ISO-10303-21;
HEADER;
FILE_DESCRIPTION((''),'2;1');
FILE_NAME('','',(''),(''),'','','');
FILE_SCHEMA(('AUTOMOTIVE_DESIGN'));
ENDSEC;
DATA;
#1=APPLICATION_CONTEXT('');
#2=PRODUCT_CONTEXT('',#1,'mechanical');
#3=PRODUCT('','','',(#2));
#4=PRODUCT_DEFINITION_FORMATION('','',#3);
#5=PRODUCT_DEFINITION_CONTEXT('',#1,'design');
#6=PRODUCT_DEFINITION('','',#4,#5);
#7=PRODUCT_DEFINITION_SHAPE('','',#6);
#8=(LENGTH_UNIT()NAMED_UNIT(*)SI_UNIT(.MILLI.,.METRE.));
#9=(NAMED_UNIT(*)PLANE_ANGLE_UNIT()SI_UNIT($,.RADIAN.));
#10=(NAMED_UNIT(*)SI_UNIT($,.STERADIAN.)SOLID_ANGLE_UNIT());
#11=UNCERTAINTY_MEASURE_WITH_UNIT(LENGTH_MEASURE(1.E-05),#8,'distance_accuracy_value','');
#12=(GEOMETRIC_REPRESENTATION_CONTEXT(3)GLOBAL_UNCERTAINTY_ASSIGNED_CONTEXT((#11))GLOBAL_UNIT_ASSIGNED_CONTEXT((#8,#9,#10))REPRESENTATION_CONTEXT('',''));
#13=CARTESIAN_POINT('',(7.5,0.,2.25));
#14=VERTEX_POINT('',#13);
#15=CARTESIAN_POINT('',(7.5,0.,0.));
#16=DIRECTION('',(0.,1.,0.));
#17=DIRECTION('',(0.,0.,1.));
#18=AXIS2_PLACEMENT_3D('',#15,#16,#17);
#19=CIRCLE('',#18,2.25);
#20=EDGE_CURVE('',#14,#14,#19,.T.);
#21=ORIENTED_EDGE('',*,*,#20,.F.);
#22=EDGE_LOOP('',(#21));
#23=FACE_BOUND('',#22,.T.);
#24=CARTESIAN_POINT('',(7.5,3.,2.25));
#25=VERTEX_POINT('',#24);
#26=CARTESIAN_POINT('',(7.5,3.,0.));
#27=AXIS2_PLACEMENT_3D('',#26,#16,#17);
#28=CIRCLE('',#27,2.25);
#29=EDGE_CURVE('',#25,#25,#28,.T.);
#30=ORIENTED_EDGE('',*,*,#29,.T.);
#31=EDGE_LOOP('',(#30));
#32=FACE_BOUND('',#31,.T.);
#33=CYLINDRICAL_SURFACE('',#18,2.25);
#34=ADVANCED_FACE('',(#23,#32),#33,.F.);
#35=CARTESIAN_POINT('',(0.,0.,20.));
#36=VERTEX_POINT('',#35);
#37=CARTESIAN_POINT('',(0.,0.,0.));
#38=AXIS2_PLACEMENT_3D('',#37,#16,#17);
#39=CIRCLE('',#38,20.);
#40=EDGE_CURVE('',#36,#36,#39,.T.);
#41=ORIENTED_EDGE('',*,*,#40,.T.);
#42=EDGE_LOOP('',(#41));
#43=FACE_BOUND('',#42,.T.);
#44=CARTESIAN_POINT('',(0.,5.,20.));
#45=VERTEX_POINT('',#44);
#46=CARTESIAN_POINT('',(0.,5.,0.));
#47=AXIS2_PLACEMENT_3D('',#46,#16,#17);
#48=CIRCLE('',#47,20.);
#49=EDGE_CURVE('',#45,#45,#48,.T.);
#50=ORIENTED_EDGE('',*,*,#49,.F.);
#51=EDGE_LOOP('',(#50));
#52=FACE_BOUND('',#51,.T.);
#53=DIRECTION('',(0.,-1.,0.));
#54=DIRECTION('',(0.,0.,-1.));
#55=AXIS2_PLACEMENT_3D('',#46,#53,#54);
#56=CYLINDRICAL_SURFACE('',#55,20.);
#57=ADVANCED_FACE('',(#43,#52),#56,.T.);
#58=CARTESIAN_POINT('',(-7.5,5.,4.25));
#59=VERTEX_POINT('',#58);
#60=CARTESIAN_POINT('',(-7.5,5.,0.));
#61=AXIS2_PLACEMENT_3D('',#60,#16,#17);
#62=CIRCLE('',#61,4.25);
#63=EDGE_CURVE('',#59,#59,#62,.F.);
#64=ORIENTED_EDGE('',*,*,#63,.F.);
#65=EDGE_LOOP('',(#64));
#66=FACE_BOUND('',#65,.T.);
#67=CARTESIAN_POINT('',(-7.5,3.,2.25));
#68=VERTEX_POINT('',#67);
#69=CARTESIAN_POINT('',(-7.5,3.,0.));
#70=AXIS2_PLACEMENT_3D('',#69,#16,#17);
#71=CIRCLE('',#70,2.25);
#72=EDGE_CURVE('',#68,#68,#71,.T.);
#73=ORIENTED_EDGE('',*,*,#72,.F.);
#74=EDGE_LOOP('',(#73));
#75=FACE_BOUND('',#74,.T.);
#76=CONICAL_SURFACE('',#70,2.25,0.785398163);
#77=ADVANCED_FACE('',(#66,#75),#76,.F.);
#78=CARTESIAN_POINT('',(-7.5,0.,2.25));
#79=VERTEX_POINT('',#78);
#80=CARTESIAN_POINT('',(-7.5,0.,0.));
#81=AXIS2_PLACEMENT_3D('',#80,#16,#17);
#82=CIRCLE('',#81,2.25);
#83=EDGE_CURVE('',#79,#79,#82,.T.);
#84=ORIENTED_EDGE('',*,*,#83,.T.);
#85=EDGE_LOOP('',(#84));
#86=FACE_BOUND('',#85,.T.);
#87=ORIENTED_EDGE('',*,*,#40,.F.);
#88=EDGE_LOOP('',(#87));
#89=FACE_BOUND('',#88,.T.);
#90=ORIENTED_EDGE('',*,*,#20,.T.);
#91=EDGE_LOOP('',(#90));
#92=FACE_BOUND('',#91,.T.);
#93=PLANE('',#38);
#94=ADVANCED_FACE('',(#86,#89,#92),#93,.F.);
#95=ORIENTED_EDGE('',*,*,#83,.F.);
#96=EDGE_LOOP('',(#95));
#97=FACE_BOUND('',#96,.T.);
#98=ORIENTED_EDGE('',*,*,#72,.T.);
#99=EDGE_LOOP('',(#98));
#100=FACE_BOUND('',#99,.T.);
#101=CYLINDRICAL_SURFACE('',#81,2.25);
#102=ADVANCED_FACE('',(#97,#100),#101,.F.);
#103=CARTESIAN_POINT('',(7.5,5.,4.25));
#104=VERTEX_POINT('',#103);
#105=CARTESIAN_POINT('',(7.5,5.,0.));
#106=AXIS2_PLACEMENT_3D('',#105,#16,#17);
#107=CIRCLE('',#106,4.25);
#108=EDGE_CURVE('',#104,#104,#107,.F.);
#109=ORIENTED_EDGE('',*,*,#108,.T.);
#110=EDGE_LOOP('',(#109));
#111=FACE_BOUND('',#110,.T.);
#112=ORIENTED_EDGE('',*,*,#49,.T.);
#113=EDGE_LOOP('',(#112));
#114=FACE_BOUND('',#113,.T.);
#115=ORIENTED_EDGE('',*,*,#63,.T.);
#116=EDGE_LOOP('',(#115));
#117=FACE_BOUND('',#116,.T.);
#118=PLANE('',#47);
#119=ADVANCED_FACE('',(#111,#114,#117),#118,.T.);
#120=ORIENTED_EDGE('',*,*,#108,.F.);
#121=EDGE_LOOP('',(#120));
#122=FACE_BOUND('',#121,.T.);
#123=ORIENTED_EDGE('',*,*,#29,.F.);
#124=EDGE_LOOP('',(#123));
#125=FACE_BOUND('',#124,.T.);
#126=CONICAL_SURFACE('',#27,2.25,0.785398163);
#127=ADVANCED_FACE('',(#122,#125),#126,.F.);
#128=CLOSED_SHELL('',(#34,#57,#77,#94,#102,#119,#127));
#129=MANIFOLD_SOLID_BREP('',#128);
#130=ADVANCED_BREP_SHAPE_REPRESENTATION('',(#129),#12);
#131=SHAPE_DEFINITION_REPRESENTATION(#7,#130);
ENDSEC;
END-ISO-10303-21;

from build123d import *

# Parameters (mm, degrees)
SKETCH1_R           = 20
BOSS_EXTRUDE1_DEPTH = 5
SKETCH2_R           = 2.25
CUT_EXTRUDE1_DEPTH  = 5
CHAMFER1_SIZE       = 2


with BuildPart() as part:
    # Sketch1 → Boss-Extrude1 (new body)
    with BuildSketch(Plane(origin=(0, 0, 0), x_dir=(1, 0, 0), z_dir=(0, 1, 0))):
        with Locations(Location((0, 0, 0), (0, 0, 270))):
            Circle(SKETCH1_R)
    extrude(amount=BOSS_EXTRUDE1_DEPTH)

    # Sketch2 → Cut-Extrude1 (cut)
    with BuildSketch(Plane(origin=(0, 5, 0), x_dir=(1, 0, 0), z_dir=(0, 1, 0))):
        with Locations(Location((-7.5, 0, 0), (0, 0, 270))):
            Circle(SKETCH2_R)
        with Locations(Location((7.5, 0, 0), (0, 0, 270))):
            Circle(SKETCH2_R)
    extrude(amount=-CUT_EXTRUDE1_DEPTH, mode=Mode.SUBTRACT)

    # Chamfer1
    chamfer1_edges = [part.edges().sort_by_distance(p)[0] for p in [
        (7.5, 5, -2.25),
        (-7.5, 5, -2.25),
    ]]
    chamfer(chamfer1_edges, length=CHAMFER1_SIZE)


solid = part.part
